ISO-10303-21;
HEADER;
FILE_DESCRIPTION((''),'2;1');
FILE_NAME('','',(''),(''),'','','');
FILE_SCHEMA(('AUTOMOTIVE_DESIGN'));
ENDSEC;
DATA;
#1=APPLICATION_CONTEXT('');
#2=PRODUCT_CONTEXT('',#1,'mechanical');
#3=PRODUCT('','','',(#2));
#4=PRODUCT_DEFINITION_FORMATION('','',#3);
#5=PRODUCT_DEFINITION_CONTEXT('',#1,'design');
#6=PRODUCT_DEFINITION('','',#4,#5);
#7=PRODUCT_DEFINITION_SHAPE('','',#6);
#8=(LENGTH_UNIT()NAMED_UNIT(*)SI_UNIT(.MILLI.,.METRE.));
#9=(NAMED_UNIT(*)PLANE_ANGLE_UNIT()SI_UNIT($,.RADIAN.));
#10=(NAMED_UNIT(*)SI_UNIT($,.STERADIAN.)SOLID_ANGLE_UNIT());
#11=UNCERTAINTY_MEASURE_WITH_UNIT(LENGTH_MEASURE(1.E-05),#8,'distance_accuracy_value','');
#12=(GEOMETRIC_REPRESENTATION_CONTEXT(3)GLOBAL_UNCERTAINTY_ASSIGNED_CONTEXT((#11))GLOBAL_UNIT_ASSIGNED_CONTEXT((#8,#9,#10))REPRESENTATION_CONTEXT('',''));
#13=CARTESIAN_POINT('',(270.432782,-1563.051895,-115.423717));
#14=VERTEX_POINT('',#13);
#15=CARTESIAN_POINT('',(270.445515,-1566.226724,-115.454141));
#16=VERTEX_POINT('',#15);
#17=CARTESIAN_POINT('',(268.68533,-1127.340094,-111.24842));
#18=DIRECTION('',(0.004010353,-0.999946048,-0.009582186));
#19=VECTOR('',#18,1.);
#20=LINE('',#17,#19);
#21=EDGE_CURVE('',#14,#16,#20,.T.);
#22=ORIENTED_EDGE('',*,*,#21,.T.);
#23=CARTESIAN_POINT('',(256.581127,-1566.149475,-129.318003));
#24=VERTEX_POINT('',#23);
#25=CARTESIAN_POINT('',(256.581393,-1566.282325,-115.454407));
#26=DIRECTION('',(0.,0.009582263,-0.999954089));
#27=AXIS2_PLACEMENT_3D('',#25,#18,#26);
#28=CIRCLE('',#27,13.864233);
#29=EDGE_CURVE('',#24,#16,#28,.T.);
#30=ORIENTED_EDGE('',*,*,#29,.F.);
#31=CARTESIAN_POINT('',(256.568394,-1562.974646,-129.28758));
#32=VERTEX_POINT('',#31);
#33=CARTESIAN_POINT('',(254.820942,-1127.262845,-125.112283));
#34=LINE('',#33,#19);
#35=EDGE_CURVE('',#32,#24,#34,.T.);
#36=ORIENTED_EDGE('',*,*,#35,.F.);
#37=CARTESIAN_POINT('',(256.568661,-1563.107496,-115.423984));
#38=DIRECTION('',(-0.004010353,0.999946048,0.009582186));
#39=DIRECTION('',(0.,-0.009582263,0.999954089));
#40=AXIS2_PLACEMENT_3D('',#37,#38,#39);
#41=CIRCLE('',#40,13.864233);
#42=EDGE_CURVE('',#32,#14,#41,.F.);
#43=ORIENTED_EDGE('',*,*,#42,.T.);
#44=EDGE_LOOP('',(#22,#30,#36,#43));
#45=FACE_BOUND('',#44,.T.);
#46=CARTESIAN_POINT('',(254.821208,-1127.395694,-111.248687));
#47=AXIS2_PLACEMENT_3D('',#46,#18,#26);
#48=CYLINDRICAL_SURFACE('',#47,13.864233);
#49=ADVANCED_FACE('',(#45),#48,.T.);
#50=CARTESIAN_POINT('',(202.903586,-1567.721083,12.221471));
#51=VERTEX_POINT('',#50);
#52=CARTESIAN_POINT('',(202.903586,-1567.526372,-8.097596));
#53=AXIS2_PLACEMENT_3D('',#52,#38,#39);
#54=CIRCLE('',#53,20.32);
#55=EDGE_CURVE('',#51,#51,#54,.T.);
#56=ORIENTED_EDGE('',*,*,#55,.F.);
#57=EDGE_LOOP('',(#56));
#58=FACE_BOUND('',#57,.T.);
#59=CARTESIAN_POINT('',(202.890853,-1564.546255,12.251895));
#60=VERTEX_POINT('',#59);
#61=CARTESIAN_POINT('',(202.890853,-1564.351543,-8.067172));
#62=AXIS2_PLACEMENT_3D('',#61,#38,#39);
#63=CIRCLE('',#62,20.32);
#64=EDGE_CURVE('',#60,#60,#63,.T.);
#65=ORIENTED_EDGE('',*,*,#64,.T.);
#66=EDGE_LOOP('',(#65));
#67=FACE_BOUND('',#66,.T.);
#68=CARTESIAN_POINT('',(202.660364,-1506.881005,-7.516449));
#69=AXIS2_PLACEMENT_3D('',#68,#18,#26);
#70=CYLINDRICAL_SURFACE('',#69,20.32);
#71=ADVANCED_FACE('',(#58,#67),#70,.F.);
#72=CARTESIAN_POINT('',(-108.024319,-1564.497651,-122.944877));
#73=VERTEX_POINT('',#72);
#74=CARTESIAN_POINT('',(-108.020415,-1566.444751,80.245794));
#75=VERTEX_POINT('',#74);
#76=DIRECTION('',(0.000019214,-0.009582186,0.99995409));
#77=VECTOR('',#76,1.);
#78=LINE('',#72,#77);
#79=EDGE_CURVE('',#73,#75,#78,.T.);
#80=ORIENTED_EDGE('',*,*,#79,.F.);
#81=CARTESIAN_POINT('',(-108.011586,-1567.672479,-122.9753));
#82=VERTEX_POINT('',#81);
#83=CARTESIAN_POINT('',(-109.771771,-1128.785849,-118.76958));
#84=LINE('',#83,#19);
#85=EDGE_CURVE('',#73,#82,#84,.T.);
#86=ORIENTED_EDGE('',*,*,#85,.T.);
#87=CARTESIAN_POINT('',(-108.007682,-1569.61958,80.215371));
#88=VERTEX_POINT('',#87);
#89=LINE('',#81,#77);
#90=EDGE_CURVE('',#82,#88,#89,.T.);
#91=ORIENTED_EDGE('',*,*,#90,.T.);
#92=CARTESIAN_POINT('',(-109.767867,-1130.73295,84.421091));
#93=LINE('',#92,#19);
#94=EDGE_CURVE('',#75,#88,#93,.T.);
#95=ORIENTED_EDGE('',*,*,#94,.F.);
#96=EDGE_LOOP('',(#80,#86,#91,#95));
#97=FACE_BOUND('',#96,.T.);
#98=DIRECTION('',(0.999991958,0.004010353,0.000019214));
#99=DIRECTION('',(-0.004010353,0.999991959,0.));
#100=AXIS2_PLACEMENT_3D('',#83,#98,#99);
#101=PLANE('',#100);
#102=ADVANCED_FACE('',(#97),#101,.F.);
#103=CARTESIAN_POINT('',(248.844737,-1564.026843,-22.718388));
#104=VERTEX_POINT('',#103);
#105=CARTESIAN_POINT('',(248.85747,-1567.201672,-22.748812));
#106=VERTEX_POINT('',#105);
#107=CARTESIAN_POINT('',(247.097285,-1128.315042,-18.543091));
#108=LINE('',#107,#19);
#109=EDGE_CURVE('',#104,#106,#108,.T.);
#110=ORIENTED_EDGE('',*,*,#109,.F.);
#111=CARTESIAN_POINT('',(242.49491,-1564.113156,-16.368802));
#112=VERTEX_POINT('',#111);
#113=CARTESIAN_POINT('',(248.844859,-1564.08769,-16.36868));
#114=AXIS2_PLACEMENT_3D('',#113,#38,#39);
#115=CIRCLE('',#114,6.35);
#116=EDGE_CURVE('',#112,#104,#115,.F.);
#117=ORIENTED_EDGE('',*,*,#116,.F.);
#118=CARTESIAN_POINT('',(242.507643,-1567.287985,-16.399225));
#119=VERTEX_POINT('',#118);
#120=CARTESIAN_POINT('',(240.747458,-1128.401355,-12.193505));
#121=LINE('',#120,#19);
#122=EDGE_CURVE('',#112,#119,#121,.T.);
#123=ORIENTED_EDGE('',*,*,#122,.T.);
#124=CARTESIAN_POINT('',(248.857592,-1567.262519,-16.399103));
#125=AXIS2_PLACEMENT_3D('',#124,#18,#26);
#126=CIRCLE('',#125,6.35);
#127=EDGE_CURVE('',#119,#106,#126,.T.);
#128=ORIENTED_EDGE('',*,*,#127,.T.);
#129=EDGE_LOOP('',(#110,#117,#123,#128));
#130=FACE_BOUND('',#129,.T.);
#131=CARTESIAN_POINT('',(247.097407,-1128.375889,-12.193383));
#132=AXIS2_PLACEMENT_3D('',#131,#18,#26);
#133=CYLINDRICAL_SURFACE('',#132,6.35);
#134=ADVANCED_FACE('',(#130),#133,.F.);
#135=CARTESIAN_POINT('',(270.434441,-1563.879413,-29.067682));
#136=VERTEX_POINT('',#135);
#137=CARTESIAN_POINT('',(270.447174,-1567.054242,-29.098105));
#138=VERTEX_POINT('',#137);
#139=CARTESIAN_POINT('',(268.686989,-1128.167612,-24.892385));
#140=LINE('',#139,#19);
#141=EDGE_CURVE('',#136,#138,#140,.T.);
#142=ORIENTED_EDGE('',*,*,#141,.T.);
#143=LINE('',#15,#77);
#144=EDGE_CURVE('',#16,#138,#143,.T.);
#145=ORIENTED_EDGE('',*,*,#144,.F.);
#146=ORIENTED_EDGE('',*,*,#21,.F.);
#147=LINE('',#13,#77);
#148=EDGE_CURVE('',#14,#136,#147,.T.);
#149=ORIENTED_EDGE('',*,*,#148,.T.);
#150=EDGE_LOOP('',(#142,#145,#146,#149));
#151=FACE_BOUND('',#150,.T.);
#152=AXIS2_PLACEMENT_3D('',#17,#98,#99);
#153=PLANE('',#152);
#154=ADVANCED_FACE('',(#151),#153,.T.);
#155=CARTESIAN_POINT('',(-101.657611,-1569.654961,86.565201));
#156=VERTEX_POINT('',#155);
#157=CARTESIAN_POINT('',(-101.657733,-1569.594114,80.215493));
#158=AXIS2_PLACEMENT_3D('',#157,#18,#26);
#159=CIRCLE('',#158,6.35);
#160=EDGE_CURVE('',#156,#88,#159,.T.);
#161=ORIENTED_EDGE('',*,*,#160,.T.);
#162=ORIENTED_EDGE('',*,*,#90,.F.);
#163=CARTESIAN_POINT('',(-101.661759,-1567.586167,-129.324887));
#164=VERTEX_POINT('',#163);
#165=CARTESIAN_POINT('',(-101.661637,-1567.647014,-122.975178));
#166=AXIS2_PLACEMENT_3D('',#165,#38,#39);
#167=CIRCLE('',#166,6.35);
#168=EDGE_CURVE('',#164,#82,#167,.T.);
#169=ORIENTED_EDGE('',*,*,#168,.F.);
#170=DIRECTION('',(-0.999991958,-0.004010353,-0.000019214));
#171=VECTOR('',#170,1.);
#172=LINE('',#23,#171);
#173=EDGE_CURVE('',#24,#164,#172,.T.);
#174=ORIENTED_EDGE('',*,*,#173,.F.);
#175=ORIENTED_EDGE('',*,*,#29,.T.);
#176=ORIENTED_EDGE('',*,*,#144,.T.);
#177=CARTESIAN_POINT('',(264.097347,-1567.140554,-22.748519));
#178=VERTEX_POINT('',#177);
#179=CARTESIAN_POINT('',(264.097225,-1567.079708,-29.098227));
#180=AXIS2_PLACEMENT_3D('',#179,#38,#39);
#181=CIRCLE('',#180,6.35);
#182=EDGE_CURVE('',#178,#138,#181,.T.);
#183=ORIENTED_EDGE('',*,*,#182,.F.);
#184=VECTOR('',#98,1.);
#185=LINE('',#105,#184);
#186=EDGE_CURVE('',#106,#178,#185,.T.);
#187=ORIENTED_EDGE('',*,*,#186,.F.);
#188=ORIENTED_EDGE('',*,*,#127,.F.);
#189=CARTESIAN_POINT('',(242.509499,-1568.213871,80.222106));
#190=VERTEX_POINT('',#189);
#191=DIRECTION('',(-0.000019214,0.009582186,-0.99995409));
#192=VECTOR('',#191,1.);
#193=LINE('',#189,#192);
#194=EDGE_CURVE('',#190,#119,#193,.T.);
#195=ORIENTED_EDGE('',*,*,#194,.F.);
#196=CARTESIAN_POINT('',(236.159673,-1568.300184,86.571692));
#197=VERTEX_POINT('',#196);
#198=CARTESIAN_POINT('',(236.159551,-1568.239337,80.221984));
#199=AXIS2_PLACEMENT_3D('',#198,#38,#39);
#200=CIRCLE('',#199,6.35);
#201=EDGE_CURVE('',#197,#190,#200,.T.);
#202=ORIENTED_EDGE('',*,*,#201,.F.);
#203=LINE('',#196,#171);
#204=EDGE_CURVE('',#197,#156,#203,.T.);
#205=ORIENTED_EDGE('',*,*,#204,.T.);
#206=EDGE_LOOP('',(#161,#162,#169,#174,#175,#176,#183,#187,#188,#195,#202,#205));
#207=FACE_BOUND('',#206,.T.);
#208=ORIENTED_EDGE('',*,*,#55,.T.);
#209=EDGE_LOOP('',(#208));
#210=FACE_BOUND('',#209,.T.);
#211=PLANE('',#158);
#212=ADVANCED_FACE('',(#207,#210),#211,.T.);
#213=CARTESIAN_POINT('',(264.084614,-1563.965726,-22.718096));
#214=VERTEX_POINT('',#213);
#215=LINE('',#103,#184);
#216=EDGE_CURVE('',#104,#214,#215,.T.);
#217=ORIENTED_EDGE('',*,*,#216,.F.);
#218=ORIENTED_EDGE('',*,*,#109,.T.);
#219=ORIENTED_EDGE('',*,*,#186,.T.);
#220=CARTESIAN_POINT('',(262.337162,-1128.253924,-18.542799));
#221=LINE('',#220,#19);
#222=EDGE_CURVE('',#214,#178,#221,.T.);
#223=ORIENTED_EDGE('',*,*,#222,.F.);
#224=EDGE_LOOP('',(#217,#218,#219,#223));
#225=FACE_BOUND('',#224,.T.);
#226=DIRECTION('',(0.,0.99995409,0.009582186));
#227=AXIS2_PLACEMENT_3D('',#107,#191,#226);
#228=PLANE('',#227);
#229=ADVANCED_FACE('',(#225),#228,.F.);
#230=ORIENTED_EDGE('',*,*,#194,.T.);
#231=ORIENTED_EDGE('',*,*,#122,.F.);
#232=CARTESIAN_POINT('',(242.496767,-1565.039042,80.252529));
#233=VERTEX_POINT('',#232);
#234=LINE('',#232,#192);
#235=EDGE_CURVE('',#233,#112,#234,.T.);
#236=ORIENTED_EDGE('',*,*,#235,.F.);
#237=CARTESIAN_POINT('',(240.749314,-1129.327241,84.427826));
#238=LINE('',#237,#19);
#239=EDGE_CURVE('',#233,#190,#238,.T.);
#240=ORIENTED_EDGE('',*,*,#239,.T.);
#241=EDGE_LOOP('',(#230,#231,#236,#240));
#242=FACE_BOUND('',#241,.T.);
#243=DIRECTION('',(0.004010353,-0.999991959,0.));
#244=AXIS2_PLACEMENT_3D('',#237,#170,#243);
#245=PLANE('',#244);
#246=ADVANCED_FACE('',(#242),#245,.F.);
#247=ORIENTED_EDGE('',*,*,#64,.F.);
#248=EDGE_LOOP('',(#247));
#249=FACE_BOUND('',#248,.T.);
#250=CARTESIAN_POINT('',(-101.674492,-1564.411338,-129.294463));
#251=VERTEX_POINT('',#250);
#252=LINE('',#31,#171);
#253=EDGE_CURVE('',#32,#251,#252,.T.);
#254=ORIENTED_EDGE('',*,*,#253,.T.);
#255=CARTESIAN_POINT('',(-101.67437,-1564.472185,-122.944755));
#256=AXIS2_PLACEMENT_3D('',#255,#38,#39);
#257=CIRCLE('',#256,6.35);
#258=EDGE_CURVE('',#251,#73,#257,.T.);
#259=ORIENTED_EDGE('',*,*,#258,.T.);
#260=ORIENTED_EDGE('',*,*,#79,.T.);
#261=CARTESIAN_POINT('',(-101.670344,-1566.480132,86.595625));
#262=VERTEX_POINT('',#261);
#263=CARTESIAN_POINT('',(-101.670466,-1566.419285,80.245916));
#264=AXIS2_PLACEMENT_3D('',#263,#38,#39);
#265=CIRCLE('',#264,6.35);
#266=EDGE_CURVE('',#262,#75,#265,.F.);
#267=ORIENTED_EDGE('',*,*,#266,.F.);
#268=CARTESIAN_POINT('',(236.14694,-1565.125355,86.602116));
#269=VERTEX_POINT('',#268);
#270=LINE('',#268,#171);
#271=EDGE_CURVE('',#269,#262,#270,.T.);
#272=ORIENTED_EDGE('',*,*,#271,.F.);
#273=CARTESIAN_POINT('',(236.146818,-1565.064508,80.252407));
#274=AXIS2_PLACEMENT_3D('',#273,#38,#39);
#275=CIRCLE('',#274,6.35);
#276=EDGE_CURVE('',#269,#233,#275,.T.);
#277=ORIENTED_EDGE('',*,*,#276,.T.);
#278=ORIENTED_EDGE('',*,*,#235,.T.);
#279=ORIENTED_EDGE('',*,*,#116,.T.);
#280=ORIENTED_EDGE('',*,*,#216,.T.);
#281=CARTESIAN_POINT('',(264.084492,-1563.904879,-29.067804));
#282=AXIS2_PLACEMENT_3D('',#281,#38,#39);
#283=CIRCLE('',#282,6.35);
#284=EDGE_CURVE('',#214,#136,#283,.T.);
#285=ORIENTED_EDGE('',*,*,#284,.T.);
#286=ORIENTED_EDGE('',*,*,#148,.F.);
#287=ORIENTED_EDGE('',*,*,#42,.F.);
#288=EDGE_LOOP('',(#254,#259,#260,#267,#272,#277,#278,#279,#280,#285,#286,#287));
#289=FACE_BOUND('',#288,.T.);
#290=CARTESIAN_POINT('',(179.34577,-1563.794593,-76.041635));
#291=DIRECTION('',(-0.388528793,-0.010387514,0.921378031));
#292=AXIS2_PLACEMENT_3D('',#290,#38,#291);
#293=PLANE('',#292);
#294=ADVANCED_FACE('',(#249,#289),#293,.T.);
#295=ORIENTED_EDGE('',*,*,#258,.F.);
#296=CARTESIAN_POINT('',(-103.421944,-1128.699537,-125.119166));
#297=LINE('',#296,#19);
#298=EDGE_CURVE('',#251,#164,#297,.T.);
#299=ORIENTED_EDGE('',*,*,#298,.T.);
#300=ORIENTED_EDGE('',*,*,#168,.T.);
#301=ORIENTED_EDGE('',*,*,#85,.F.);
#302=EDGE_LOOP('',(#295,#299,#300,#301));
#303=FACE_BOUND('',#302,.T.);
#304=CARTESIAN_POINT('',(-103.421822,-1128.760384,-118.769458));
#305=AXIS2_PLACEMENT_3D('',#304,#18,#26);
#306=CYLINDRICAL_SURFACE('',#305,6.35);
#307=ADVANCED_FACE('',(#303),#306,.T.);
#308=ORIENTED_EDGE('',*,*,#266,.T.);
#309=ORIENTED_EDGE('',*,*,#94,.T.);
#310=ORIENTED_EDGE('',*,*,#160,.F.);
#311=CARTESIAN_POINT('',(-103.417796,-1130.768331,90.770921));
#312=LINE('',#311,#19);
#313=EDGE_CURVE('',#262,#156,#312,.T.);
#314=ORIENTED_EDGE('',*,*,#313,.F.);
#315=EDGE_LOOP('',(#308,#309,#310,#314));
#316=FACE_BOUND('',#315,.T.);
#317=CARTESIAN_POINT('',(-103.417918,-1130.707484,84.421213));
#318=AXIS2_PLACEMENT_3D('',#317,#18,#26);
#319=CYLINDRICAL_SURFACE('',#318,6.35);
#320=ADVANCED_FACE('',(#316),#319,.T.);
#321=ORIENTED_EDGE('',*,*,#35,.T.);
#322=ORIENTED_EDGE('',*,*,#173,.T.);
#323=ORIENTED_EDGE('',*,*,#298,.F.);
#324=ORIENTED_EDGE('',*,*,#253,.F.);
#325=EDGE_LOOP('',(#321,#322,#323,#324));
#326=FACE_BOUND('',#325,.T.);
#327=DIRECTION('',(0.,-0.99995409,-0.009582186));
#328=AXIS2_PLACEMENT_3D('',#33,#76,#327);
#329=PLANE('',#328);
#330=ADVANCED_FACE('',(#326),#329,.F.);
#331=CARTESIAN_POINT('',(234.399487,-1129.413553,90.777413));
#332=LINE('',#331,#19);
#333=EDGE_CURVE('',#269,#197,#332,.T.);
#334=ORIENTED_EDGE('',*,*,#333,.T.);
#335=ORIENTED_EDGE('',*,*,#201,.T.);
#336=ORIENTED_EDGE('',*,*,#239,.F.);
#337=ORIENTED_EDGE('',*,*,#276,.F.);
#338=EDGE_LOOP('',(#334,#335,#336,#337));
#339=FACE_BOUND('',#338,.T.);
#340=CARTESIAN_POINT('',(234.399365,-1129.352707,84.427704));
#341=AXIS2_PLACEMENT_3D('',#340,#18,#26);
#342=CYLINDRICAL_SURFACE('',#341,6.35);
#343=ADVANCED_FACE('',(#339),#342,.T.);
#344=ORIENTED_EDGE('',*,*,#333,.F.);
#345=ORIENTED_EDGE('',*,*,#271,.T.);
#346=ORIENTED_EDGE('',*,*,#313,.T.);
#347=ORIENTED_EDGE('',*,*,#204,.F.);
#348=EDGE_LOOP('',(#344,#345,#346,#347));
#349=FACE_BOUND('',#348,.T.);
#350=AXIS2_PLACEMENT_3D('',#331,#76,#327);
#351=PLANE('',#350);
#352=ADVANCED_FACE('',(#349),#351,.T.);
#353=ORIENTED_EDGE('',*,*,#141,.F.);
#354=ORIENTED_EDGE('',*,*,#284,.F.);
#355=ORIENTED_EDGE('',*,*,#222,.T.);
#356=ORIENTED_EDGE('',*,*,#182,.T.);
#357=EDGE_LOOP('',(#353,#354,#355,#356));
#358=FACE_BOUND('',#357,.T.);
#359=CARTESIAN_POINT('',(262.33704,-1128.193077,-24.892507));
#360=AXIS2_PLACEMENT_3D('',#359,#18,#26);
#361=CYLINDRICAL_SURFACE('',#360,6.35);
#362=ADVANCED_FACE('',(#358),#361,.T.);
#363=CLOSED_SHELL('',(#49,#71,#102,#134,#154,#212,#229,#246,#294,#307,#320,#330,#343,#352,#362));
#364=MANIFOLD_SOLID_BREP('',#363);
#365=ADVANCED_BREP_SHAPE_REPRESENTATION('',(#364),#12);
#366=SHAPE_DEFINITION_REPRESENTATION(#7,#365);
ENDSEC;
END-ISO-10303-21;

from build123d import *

# Parameters (mm, degrees)
BOSS_EXTRUDE1_DEPTH = 3.175
SKETCH4_R           = 20.32
CUT_EXTRUDE1_DEPTH  = 3.175


with BuildPart() as part:
    # Sketch1 → Boss-Extrude1 (new body)
    with BuildSketch(Plane(origin=(3.144869288, -1568.333107971, -7.514232815), x_dir=(0.9999919583187062, 0.004010352693004623, 1.921449190373677e-05), z_dir=(-0.004010352693004623, 0.9999460479318565, 0.009582186427904116))):
        with BuildLine():
            Line((253.440636473, 121.814232815), (-104.805130712, 121.814232815))
            ThreePointArc((-104.805130712, 121.814232815), (-109.295258773, 119.954360876), (-111.155130712, 115.464232815))
            Line((-111.155130712, 115.464232815), (-111.155130712, -87.735767185))
            ThreePointArc((-111.155130712, -87.735767185), (-109.295258773, -92.225895245), (-104.805130712, -94.085767185))
            Line((-104.805130712, -94.085767185), (233.014869288, -94.085767185))
            ThreePointArc((233.014869288, -94.085767185), (237.504997348, -92.225895245), (239.364869288, -87.735767185))
            Line((239.364869288, -87.735767185), (239.364869288, 8.89))
            ThreePointArc((239.364869288, 8.89), (241.224741227, 13.380128061), (245.714869288, 15.24))
            Line((245.714869288, 15.24), (260.954869288, 15.24))
            ThreePointArc((260.954869288, 15.24), (265.444997348, 17.099871939), (267.304869288, 21.59))
            Line((267.304869288, 21.59), (267.304869288, 107.95))
            ThreePointArc((267.304869288, 107.95), (263.244129512, 117.753493039), (253.440636473, 121.814232815))
        make_face()
    extrude(amount=BOSS_EXTRUDE1_DEPTH)

    # Sketch4 → Cut-Extrude1 (cut)
    with BuildSketch(Plane(origin=(3.157601814, -1568.332765376, -7.544655436), x_dir=(0.9999919583187062, 0.004010352693004624, 1.9214491903792285e-05), z_dir=(-0.004010352693004624, 0.9999460479318565, 0.009582186427904121))):
        with Locations(Location((199.747601441, 0.556803893, 0), (0, 0, 269.998899082))):
            Circle(SKETCH4_R)
    extrude(amount=CUT_EXTRUDE1_DEPTH, mode=Mode.SUBTRACT)


solid = part.part
